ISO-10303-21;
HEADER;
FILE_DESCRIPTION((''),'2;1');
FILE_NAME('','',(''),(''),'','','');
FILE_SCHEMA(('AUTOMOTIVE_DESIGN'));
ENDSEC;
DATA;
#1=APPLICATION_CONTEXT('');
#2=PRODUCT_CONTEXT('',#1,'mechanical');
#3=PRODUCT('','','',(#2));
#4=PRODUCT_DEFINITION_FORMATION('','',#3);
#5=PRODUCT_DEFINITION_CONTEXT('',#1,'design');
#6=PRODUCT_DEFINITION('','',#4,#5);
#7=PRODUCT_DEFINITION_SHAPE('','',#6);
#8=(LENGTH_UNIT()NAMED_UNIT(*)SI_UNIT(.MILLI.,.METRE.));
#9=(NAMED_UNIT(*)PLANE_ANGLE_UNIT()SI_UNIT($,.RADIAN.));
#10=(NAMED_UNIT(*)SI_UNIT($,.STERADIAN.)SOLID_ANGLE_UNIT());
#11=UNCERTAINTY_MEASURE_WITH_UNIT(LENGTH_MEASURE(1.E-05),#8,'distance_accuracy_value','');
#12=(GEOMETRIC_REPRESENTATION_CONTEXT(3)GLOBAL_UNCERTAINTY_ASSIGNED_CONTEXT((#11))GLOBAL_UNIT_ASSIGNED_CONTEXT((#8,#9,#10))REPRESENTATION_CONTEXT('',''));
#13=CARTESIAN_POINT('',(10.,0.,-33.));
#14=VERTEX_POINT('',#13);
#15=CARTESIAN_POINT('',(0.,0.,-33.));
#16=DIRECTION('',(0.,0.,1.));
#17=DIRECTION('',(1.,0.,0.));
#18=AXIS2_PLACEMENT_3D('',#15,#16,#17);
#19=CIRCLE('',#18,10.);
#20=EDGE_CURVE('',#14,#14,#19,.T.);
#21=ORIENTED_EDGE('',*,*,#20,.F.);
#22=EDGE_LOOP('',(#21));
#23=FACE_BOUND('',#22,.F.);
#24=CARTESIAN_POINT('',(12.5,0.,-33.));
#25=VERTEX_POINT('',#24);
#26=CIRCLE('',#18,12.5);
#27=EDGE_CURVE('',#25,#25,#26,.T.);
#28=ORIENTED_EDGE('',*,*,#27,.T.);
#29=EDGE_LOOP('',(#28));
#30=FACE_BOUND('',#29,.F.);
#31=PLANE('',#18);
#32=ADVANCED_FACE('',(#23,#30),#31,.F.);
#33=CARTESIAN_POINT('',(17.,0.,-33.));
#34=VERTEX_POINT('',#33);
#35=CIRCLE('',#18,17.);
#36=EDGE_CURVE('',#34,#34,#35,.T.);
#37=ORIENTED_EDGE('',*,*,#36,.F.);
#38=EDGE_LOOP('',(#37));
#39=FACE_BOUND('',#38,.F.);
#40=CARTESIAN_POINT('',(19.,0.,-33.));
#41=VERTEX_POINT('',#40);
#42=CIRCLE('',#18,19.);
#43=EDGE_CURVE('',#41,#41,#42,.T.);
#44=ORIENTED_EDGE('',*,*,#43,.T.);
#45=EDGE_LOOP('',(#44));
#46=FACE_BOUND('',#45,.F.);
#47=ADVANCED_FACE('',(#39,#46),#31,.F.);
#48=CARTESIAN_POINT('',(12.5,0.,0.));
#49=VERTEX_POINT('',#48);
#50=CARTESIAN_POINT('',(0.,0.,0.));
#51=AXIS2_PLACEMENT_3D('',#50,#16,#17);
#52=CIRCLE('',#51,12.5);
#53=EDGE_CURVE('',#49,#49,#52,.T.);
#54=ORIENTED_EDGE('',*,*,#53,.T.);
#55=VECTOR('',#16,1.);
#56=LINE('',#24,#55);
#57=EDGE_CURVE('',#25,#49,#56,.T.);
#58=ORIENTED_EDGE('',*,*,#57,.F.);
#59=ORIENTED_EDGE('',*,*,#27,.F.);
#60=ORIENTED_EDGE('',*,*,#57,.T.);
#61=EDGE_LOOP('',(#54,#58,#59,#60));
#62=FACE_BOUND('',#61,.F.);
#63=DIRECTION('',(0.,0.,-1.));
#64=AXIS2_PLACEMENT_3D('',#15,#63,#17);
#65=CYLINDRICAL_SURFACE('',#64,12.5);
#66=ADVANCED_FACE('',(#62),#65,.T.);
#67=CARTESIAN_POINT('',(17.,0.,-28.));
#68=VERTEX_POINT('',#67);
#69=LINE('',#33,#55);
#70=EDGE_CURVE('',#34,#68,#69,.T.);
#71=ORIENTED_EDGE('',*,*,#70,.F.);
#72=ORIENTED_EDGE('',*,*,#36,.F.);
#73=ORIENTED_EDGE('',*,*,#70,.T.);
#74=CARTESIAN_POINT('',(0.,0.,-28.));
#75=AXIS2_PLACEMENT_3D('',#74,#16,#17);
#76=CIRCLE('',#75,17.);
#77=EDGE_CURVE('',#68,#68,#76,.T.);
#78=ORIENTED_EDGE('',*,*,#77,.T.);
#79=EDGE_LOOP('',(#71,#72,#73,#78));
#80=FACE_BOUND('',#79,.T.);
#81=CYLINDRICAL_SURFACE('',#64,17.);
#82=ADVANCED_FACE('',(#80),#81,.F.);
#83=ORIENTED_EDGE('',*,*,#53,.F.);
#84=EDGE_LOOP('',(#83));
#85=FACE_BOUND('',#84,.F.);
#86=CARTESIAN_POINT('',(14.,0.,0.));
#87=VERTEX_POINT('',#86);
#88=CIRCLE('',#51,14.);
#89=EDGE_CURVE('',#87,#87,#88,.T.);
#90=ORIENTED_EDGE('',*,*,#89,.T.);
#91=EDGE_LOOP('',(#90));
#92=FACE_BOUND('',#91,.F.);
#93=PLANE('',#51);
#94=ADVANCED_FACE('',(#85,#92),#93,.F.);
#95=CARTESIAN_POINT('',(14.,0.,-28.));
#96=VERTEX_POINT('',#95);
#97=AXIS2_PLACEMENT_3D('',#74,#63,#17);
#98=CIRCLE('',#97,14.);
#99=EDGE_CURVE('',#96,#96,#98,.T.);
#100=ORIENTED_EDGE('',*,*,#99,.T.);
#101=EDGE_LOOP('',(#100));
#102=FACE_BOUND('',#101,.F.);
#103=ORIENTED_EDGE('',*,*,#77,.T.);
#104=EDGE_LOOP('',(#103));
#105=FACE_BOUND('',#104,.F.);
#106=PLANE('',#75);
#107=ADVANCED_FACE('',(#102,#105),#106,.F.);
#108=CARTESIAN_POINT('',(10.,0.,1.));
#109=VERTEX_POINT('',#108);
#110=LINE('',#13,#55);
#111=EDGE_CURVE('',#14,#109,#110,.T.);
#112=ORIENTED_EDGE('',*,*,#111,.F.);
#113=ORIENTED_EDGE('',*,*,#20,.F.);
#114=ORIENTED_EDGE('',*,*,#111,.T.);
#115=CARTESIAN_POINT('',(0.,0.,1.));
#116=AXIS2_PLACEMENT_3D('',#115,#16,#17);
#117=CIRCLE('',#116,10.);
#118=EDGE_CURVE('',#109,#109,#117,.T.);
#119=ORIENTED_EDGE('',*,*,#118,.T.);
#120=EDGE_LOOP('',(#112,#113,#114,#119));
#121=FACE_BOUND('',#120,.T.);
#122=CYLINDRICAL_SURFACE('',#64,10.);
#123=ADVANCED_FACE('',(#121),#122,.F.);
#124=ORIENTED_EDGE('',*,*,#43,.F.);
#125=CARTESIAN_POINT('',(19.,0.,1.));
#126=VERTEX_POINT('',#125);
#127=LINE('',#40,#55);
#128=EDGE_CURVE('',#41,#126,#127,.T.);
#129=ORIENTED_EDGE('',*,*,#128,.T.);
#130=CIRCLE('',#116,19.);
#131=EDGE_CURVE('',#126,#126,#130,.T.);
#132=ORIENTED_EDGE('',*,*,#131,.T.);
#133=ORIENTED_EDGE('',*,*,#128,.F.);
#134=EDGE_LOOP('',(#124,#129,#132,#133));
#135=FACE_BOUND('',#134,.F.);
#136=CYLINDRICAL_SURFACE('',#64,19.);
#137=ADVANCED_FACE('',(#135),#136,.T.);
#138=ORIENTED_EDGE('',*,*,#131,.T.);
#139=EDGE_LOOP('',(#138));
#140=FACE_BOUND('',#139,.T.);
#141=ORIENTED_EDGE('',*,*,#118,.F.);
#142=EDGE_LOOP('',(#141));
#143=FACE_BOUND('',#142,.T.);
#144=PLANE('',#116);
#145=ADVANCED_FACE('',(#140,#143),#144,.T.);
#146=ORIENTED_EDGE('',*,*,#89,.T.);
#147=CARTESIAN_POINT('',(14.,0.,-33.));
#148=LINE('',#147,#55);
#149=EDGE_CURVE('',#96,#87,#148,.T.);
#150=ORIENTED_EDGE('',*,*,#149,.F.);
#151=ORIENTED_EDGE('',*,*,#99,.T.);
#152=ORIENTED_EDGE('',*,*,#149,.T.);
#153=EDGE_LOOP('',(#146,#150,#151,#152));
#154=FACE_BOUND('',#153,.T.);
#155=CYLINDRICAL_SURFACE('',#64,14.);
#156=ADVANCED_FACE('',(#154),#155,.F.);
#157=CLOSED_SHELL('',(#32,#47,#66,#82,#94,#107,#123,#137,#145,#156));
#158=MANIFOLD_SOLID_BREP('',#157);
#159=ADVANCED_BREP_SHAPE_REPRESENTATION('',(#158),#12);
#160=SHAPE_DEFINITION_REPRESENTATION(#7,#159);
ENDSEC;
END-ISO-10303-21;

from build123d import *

# Parameters (mm, degrees)
CYLINDER095_R     = 10
CYLINDER095_DEPTH = 34
CYLINDER093_R     = 1.5
CYLINDER093_DEPTH = 14
CYLINDER090_R     = 12.5
CYLINDER090_DEPTH = 33
CYLINDER094_R     = 1.5
CYLINDER094_DEPTH = 14
CYLINDER088_R     = 14
CYLINDER088_DEPTH = 33
BOX016_W          = 1
BOX016_H          = 1
BOX016_DEPTH      = 1
CYLINDER084_R     = 17
CYLINDER084_DEPTH = 5
CYLINDER_R        = 19
CYLINDER_DEPTH    = 34


with BuildPart() as cylinder001:
    # Cylinder095 → Cylinder095 (new body)
    with BuildSketch(Plane.XY.offset(-33)):
        Circle(CYLINDER095_R)
    extrude(amount=CYLINDER095_DEPTH)


with BuildPart() as ftinsmount1:
    # Cylinder093 → Cylinder093 (new body)
    with BuildSketch(Plane(origin=(53.66, 148, -15), x_dir=(1, 0, 0), z_dir=(0, 0, 1))):
        Circle(CYLINDER093_R)
    extrude(amount=CYLINDER093_DEPTH)


with BuildPart() as ftinsinnerhole:
    # Cylinder090 → Cylinder090 (new body)
    with BuildSketch(Plane(origin=(73.66, 148, -10), x_dir=(1, 0, 0), z_dir=(0, 0, 1))):
        Circle(CYLINDER090_R)
    extrude(amount=CYLINDER090_DEPTH)


with BuildPart() as fusion039:
    # Cylinder094 → Cylinder094 (new body)
    with BuildSketch(Plane(origin=(93.66, 148, -14), x_dir=(1, 0, 0), z_dir=(0, 0, 1))):
        Circle(CYLINDER094_R)
    extrude(amount=CYLINDER094_DEPTH)

    # Fusion039: union FTInsMount1, FTInsInnerHole
    add(ftinsmount1.part)
    add(ftinsinnerhole.part)


with BuildPart() as feedthrough008:
    # Cylinder088 → Cylinder088 (new body)
    with BuildSketch(Plane(origin=(73.66, 148, -10), x_dir=(1, 0, 0), z_dir=(0, 0, 1))):
        Circle(CYLINDER088_R)
    extrude(amount=CYLINDER088_DEPTH)


with BuildPart() as ftinslug:
    # Box016 → Box016 (new body)
    with BuildSketch(Plane(origin=(63, 136, -8), x_dir=(1, 0, 0), z_dir=(0, 0, 1))):
        with Locations((0.5, 0.5)):
            Rectangle(BOX016_W, BOX016_H)
    extrude(amount=BOX016_DEPTH)


with BuildPart() as ftinsulator1:
    # Cylinder084 → Cylinder084 (new body)
    with BuildSketch(Plane(origin=(73.66, 148, -10), x_dir=(1, 0, 0), z_dir=(0, 0, 1))):
        Circle(CYLINDER084_R)
    extrude(amount=CYLINDER084_DEPTH)

    # Fusion038: union Feedthrough008, FTInsLug
    add(feedthrough008.part)
    add(ftinslug.part)

    # Cut010: cut Fusion039
    add(fusion039.part, mode=Mode.SUBTRACT)


with BuildPart() as ftinsulator1_1:
    # Cut010 placement: moved
    add(ftinsulator1.part.moved(Location((-73.66, -148, -23))))


with BuildPart() as cut011:
    # Cylinder → Cylinder (new body)
    with BuildSketch(Plane.XY.offset(-33)):
        Circle(CYLINDER_R)
    extrude(amount=CYLINDER_DEPTH)

    # Cut: cut FTInsulator1
    add(ftinsulator1_1.part, mode=Mode.SUBTRACT)

    # Cut011: cut Cylinder001
    add(cylinder001.part, mode=Mode.SUBTRACT)


solid = cut011.part
